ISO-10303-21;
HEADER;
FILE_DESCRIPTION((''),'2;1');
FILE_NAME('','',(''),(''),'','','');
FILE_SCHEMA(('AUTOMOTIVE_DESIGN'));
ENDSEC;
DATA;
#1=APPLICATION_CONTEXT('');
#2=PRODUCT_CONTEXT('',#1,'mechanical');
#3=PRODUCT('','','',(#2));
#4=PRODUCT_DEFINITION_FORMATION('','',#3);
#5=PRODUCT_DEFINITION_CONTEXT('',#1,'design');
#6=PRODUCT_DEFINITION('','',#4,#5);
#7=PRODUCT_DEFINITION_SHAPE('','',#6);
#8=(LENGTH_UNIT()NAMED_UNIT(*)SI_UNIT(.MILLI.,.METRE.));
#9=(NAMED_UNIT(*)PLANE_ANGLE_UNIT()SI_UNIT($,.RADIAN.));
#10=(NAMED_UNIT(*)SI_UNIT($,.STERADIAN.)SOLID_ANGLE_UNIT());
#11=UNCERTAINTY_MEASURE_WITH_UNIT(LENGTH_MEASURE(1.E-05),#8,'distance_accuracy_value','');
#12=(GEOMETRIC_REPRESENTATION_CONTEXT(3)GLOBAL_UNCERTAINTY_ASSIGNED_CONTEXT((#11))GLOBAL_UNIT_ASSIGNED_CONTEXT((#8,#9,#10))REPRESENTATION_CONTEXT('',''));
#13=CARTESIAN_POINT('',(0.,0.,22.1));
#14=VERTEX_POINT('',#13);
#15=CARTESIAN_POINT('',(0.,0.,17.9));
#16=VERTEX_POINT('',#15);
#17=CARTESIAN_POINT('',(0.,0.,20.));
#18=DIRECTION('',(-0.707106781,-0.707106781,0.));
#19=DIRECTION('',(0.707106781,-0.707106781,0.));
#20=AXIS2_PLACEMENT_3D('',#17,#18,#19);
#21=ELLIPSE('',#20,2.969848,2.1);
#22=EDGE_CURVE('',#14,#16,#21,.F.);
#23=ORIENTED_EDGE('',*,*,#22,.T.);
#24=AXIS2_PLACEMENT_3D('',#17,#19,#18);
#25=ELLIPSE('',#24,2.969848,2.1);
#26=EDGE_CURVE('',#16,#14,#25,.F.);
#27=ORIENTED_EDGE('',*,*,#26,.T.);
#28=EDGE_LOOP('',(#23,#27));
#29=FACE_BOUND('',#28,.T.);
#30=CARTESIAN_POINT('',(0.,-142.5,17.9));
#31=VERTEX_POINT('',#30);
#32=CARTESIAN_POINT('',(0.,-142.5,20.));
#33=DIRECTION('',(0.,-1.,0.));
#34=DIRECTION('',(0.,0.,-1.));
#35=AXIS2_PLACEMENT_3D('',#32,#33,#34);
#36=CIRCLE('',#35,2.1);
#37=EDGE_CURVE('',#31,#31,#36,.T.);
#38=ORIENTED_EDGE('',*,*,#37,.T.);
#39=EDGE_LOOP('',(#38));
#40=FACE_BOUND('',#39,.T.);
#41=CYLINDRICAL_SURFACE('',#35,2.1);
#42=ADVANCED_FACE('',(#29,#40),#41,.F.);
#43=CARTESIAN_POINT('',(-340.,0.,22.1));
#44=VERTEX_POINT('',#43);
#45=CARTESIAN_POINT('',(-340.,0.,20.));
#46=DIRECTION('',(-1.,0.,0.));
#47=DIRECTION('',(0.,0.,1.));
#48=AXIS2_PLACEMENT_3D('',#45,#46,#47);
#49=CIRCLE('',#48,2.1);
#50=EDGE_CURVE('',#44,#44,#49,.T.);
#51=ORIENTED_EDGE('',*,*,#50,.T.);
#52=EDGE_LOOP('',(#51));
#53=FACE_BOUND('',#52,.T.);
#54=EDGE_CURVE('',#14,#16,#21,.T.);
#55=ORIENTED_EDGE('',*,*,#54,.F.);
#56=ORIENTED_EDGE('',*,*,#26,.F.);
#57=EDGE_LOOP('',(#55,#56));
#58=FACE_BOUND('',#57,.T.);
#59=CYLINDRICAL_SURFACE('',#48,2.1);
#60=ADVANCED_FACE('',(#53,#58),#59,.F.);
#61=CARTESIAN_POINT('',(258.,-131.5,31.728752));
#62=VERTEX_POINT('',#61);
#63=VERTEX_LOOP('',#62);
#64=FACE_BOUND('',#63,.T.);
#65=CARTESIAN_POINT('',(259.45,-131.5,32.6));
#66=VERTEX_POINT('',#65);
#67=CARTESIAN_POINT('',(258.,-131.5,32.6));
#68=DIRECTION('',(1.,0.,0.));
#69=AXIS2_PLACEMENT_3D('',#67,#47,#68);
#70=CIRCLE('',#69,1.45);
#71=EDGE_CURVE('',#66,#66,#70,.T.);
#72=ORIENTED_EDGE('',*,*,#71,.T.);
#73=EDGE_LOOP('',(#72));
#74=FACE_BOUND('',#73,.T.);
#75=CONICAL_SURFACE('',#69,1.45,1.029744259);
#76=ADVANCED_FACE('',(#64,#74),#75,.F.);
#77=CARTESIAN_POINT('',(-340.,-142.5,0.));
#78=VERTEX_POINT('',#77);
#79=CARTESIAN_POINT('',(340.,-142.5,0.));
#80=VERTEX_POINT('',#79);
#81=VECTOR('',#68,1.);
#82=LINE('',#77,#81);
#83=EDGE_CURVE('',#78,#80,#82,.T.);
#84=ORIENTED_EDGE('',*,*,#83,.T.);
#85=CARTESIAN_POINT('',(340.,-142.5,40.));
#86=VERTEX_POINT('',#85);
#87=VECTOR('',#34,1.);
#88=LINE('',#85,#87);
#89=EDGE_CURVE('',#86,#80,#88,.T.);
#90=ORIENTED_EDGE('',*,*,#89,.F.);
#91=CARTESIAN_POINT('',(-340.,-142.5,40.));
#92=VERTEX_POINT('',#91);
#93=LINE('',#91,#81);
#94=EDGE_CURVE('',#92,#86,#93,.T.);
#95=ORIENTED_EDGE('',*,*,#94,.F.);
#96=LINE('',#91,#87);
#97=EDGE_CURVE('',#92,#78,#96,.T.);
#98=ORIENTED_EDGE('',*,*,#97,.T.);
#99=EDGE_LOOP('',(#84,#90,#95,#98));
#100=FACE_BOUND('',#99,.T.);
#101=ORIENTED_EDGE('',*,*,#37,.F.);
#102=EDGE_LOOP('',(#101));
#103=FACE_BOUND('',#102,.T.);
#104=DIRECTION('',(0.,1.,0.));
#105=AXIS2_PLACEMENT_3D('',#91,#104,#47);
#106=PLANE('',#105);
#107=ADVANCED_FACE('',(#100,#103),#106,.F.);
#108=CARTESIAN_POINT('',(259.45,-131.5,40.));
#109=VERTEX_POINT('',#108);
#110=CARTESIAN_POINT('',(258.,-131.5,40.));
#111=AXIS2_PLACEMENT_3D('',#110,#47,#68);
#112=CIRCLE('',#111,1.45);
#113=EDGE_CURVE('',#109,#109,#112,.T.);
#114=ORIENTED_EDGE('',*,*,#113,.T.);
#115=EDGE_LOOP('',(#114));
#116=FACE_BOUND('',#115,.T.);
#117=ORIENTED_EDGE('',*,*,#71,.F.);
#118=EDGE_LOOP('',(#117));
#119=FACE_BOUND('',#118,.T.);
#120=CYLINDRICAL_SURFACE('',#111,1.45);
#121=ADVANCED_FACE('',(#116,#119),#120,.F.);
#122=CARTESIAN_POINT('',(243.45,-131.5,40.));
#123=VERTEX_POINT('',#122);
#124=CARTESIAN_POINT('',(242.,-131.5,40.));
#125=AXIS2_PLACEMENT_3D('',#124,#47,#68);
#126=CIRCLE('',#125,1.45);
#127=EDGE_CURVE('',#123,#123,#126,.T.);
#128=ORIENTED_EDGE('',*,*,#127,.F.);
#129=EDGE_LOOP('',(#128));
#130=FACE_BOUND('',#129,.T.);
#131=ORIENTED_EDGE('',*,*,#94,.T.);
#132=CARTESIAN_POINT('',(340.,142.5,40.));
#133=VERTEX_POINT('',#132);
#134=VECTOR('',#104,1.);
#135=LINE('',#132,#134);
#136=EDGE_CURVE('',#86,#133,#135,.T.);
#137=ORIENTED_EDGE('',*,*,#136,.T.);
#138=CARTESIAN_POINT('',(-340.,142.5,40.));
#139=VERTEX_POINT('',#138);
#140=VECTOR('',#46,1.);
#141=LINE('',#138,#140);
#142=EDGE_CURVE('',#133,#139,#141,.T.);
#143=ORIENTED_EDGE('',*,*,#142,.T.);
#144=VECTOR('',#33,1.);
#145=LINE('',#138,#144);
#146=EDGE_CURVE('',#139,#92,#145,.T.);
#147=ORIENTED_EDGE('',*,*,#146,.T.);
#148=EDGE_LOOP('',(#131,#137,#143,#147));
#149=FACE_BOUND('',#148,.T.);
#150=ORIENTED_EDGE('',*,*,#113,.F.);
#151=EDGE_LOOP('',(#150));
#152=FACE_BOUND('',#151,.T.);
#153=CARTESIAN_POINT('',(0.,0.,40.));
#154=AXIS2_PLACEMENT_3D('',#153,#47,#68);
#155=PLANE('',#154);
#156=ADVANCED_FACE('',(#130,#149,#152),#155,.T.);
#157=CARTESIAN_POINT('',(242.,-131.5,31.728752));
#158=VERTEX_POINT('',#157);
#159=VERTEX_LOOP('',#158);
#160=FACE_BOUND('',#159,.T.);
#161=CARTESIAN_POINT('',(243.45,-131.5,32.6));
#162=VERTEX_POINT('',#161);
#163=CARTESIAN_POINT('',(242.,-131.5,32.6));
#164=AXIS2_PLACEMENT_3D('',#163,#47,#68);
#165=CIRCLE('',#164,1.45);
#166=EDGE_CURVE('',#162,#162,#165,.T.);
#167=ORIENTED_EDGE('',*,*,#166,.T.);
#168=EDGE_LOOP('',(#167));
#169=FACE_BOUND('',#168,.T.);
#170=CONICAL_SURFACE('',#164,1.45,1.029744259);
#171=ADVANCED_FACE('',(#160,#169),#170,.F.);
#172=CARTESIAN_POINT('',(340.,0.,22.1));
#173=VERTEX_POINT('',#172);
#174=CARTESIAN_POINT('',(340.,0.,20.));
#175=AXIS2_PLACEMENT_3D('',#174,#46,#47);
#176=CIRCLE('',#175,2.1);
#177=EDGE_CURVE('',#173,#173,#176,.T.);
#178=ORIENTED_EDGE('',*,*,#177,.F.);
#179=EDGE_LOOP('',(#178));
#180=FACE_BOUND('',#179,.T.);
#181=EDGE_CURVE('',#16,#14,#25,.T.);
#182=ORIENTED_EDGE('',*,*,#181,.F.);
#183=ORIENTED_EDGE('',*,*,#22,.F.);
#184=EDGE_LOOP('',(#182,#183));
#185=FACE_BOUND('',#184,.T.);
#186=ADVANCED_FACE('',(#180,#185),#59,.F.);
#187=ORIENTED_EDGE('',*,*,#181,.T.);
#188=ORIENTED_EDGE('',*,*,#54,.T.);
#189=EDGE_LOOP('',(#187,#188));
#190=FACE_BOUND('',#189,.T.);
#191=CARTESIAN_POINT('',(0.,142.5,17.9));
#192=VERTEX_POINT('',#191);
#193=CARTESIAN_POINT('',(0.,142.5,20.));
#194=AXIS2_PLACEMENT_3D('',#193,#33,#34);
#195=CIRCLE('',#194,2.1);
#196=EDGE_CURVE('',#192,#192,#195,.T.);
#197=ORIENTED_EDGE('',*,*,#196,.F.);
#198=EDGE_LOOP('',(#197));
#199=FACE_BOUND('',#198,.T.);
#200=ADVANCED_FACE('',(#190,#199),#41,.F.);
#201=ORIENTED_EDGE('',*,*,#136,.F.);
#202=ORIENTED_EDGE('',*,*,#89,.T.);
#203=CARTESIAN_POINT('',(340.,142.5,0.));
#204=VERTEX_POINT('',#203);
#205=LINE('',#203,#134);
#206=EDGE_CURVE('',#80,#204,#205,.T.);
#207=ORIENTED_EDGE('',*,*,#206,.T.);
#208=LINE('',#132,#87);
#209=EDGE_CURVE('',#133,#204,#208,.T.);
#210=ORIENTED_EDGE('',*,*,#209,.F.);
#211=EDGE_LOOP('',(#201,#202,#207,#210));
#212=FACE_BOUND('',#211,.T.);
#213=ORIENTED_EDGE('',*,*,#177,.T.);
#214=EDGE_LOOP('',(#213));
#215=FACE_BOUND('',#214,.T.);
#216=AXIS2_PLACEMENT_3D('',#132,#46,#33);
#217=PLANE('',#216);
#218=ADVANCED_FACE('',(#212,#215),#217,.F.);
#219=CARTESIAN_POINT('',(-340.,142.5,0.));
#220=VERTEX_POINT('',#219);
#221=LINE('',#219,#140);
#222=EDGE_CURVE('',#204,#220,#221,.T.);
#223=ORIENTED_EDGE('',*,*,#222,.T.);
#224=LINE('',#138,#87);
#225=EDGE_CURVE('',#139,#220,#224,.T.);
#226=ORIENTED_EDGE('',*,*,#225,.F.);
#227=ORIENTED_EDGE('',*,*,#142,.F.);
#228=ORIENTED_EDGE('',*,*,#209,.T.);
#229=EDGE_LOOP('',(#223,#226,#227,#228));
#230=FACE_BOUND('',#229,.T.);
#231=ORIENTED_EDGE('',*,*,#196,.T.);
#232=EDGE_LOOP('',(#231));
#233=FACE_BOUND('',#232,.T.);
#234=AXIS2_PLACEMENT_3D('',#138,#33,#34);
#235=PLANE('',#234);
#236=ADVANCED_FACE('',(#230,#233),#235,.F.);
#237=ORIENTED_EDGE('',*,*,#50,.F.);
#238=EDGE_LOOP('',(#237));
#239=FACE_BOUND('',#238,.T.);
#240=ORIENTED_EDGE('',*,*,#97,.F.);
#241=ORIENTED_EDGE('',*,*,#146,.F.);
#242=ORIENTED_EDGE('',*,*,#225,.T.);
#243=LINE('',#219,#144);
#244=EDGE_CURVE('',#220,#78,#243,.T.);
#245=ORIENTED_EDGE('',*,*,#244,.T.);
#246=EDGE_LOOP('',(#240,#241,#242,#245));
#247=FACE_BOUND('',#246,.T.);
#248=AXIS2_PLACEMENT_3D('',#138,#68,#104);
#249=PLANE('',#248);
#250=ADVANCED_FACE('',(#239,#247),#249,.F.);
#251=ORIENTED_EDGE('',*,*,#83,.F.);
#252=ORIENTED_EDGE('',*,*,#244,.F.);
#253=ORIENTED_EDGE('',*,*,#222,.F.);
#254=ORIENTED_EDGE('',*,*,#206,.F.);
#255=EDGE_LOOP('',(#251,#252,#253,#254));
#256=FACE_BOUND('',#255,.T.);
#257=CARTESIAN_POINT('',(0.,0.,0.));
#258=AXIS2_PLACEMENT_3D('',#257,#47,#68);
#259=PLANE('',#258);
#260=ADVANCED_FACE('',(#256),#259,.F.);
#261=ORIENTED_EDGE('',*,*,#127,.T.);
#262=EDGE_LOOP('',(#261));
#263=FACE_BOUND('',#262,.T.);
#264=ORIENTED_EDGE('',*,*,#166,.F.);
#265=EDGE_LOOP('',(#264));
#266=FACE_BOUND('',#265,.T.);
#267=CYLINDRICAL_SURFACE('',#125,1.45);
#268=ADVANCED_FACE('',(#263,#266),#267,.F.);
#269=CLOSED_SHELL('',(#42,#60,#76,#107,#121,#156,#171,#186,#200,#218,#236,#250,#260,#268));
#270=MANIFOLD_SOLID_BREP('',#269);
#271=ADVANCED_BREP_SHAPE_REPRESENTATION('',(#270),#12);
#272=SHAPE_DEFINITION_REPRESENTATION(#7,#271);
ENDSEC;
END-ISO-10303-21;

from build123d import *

# Parameters (mm, degrees)
SKETCH_1_W               = 680
SKETCH_1_H               = 285
EXTRUDE_1_DEPTH          = 40
HOLE_WIZARD_M5_1_D       = 4.2
HOLE_WIZARD_M5_2_D       = 4.2
HOLE_WIZARD_M3_5_1_D     = 2.9
HOLE_WIZARD_M3_5_1_DEPTH = 7.4
HOLE_WIZARD_M3_5_1_TIP   = 0.871247898


with BuildPart() as part:
    # 草图1 → 凸台-拉伸1 (new body)
    with BuildSketch(Plane.XY):
        Rectangle(SKETCH_1_W, SKETCH_1_H)
    extrude(amount=EXTRUDE_1_DEPTH)

    # M5 螺纹孔1 (through all)
    with Locations(Plane(origin=(0, -142.5, 0), x_dir=(-1, 0, 0), z_dir=(0, -1, 0))):
        with Locations((0, -20)):
            Hole(HOLE_WIZARD_M5_1_D / 2)

    # M5 螺纹孔2 (through all)
    with Locations(Plane.ZY.offset(340)):
        with Locations((20, 0)):
            Hole(HOLE_WIZARD_M5_2_D / 2)

    # M3.5 螺纹孔1
    with Locations(Plane.XY.offset(40)):
        with Locations((258, -131.5), (242, -131.5)):
            Hole(HOLE_WIZARD_M3_5_1_D / 2, depth=HOLE_WIZARD_M3_5_1_DEPTH)
            with Locations((0, 0, -(HOLE_WIZARD_M3_5_1_DEPTH + HOLE_WIZARD_M3_5_1_TIP / 2))):  # 118° drill point
                Cone(0, HOLE_WIZARD_M3_5_1_D / 2, HOLE_WIZARD_M3_5_1_TIP, mode=Mode.SUBTRACT)


solid = part.part
